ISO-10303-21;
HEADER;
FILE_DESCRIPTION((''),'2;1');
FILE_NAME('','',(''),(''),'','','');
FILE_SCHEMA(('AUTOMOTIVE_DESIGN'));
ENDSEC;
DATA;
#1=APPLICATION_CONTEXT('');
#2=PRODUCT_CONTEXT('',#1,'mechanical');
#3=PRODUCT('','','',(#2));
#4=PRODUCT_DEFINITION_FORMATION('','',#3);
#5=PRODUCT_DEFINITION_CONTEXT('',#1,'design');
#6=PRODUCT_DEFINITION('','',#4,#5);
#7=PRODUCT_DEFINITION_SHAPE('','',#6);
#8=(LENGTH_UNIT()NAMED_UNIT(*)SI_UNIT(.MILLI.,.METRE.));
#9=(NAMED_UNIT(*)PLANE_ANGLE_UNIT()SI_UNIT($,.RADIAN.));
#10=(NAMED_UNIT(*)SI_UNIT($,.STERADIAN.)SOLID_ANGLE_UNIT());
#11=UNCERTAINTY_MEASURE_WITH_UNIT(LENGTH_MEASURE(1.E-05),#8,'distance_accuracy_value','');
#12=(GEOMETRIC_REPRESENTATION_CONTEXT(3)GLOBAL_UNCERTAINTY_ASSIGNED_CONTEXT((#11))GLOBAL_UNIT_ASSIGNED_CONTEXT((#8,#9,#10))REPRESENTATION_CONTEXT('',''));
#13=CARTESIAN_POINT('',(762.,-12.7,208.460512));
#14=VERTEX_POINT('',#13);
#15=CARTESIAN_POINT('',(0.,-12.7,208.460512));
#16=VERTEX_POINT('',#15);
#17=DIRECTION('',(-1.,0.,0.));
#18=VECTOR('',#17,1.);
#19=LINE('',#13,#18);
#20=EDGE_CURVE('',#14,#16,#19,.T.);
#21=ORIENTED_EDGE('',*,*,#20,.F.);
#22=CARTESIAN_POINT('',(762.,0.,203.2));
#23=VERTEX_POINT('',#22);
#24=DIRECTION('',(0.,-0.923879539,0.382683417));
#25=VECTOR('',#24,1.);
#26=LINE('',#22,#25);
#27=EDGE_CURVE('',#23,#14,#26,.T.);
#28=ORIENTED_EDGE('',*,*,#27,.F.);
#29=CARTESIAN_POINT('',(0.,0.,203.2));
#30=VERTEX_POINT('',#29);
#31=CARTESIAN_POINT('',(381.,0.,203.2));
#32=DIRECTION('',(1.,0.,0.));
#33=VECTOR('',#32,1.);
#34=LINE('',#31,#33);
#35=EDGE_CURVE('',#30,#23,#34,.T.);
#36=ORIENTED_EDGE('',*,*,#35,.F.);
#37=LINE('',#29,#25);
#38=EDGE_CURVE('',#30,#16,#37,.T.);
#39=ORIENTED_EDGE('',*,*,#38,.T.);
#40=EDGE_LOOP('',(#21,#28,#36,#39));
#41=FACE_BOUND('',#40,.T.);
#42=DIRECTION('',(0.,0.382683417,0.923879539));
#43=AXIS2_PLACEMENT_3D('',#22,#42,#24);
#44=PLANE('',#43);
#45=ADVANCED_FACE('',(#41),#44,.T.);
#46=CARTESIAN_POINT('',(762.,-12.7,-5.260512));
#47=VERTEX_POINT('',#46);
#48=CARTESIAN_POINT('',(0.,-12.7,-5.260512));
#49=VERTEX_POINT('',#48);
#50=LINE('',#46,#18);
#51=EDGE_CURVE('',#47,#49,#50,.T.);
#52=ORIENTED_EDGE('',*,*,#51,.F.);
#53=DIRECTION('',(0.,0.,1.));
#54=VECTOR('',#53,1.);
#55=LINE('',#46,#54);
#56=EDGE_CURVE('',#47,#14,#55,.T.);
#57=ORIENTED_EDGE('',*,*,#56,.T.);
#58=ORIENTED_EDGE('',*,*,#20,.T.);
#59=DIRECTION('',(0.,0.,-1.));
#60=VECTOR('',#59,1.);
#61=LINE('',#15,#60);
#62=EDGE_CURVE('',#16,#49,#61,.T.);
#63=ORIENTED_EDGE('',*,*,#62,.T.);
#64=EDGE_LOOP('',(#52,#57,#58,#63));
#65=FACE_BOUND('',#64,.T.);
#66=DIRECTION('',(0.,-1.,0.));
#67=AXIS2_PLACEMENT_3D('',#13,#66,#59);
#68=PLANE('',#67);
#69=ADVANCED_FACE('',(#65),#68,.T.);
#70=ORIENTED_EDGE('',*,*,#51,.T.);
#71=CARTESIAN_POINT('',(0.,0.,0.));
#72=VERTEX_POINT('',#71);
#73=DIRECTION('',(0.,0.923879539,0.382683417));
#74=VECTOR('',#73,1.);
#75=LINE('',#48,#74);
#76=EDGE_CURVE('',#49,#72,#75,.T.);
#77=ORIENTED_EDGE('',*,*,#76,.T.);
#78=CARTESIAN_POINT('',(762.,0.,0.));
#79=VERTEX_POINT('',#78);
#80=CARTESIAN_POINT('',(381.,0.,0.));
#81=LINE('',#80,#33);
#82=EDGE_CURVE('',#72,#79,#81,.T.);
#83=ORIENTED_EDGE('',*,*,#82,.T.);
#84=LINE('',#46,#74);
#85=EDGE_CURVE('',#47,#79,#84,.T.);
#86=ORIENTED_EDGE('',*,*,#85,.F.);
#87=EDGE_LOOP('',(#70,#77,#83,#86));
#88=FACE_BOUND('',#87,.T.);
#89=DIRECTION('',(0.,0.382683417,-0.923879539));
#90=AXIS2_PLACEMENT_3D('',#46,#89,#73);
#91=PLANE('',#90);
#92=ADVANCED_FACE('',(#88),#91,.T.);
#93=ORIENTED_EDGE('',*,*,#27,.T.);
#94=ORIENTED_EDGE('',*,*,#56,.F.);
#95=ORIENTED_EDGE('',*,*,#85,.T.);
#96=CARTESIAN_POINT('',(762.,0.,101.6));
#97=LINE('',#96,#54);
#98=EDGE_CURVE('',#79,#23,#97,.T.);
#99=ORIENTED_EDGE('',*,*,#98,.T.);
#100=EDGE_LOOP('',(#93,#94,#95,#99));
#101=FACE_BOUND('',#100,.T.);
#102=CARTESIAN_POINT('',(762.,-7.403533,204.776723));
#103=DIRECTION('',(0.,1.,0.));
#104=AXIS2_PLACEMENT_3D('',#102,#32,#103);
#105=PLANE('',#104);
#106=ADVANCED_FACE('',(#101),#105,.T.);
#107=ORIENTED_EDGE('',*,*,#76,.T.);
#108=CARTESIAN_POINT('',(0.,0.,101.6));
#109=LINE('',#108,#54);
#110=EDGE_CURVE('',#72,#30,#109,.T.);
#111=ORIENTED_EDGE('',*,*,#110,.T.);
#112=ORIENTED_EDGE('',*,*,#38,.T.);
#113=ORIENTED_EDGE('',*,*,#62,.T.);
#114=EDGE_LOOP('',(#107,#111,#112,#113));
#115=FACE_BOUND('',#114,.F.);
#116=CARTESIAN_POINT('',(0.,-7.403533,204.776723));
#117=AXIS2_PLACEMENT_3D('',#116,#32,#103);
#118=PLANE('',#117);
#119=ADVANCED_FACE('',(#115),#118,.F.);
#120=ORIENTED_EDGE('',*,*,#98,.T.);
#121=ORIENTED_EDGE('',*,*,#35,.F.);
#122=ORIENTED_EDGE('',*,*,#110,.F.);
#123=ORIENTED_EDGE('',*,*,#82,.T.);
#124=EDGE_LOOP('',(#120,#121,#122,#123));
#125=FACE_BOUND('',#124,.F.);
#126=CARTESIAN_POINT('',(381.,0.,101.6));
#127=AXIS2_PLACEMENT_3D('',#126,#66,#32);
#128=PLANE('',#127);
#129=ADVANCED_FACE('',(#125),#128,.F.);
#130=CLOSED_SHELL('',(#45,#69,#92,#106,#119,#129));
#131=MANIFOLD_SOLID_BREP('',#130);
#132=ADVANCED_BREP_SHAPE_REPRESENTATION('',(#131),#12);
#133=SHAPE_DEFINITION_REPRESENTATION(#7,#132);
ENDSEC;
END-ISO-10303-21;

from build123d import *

# Parameters (mm, degrees)
F0_W     = 762
F0_H     = 203.2
F1_DEPTH = 12.7
F3_DEPTH = 762


with BuildPart() as f1:
    # F0 (on Front) → F1 (new body)
    with BuildSketch(Plane.XZ):
        with Locations((381, 101.6)):
            Rectangle(F0_W, F0_H)
    extrude(amount=F1_DEPTH)

    # F2 (on face) → F3 (join, through all)
    with BuildSketch(Plane.YZ.offset(762)):
        Polygon((-12.7, 203.2), (0, 203.2), (-12.7, 208.460512), align=None)
        Polygon((-12.7, -5.260512), (0, 0), (-12.7, 0), align=None)
    extrude(amount=-F3_DEPTH)


solid = f1.part
